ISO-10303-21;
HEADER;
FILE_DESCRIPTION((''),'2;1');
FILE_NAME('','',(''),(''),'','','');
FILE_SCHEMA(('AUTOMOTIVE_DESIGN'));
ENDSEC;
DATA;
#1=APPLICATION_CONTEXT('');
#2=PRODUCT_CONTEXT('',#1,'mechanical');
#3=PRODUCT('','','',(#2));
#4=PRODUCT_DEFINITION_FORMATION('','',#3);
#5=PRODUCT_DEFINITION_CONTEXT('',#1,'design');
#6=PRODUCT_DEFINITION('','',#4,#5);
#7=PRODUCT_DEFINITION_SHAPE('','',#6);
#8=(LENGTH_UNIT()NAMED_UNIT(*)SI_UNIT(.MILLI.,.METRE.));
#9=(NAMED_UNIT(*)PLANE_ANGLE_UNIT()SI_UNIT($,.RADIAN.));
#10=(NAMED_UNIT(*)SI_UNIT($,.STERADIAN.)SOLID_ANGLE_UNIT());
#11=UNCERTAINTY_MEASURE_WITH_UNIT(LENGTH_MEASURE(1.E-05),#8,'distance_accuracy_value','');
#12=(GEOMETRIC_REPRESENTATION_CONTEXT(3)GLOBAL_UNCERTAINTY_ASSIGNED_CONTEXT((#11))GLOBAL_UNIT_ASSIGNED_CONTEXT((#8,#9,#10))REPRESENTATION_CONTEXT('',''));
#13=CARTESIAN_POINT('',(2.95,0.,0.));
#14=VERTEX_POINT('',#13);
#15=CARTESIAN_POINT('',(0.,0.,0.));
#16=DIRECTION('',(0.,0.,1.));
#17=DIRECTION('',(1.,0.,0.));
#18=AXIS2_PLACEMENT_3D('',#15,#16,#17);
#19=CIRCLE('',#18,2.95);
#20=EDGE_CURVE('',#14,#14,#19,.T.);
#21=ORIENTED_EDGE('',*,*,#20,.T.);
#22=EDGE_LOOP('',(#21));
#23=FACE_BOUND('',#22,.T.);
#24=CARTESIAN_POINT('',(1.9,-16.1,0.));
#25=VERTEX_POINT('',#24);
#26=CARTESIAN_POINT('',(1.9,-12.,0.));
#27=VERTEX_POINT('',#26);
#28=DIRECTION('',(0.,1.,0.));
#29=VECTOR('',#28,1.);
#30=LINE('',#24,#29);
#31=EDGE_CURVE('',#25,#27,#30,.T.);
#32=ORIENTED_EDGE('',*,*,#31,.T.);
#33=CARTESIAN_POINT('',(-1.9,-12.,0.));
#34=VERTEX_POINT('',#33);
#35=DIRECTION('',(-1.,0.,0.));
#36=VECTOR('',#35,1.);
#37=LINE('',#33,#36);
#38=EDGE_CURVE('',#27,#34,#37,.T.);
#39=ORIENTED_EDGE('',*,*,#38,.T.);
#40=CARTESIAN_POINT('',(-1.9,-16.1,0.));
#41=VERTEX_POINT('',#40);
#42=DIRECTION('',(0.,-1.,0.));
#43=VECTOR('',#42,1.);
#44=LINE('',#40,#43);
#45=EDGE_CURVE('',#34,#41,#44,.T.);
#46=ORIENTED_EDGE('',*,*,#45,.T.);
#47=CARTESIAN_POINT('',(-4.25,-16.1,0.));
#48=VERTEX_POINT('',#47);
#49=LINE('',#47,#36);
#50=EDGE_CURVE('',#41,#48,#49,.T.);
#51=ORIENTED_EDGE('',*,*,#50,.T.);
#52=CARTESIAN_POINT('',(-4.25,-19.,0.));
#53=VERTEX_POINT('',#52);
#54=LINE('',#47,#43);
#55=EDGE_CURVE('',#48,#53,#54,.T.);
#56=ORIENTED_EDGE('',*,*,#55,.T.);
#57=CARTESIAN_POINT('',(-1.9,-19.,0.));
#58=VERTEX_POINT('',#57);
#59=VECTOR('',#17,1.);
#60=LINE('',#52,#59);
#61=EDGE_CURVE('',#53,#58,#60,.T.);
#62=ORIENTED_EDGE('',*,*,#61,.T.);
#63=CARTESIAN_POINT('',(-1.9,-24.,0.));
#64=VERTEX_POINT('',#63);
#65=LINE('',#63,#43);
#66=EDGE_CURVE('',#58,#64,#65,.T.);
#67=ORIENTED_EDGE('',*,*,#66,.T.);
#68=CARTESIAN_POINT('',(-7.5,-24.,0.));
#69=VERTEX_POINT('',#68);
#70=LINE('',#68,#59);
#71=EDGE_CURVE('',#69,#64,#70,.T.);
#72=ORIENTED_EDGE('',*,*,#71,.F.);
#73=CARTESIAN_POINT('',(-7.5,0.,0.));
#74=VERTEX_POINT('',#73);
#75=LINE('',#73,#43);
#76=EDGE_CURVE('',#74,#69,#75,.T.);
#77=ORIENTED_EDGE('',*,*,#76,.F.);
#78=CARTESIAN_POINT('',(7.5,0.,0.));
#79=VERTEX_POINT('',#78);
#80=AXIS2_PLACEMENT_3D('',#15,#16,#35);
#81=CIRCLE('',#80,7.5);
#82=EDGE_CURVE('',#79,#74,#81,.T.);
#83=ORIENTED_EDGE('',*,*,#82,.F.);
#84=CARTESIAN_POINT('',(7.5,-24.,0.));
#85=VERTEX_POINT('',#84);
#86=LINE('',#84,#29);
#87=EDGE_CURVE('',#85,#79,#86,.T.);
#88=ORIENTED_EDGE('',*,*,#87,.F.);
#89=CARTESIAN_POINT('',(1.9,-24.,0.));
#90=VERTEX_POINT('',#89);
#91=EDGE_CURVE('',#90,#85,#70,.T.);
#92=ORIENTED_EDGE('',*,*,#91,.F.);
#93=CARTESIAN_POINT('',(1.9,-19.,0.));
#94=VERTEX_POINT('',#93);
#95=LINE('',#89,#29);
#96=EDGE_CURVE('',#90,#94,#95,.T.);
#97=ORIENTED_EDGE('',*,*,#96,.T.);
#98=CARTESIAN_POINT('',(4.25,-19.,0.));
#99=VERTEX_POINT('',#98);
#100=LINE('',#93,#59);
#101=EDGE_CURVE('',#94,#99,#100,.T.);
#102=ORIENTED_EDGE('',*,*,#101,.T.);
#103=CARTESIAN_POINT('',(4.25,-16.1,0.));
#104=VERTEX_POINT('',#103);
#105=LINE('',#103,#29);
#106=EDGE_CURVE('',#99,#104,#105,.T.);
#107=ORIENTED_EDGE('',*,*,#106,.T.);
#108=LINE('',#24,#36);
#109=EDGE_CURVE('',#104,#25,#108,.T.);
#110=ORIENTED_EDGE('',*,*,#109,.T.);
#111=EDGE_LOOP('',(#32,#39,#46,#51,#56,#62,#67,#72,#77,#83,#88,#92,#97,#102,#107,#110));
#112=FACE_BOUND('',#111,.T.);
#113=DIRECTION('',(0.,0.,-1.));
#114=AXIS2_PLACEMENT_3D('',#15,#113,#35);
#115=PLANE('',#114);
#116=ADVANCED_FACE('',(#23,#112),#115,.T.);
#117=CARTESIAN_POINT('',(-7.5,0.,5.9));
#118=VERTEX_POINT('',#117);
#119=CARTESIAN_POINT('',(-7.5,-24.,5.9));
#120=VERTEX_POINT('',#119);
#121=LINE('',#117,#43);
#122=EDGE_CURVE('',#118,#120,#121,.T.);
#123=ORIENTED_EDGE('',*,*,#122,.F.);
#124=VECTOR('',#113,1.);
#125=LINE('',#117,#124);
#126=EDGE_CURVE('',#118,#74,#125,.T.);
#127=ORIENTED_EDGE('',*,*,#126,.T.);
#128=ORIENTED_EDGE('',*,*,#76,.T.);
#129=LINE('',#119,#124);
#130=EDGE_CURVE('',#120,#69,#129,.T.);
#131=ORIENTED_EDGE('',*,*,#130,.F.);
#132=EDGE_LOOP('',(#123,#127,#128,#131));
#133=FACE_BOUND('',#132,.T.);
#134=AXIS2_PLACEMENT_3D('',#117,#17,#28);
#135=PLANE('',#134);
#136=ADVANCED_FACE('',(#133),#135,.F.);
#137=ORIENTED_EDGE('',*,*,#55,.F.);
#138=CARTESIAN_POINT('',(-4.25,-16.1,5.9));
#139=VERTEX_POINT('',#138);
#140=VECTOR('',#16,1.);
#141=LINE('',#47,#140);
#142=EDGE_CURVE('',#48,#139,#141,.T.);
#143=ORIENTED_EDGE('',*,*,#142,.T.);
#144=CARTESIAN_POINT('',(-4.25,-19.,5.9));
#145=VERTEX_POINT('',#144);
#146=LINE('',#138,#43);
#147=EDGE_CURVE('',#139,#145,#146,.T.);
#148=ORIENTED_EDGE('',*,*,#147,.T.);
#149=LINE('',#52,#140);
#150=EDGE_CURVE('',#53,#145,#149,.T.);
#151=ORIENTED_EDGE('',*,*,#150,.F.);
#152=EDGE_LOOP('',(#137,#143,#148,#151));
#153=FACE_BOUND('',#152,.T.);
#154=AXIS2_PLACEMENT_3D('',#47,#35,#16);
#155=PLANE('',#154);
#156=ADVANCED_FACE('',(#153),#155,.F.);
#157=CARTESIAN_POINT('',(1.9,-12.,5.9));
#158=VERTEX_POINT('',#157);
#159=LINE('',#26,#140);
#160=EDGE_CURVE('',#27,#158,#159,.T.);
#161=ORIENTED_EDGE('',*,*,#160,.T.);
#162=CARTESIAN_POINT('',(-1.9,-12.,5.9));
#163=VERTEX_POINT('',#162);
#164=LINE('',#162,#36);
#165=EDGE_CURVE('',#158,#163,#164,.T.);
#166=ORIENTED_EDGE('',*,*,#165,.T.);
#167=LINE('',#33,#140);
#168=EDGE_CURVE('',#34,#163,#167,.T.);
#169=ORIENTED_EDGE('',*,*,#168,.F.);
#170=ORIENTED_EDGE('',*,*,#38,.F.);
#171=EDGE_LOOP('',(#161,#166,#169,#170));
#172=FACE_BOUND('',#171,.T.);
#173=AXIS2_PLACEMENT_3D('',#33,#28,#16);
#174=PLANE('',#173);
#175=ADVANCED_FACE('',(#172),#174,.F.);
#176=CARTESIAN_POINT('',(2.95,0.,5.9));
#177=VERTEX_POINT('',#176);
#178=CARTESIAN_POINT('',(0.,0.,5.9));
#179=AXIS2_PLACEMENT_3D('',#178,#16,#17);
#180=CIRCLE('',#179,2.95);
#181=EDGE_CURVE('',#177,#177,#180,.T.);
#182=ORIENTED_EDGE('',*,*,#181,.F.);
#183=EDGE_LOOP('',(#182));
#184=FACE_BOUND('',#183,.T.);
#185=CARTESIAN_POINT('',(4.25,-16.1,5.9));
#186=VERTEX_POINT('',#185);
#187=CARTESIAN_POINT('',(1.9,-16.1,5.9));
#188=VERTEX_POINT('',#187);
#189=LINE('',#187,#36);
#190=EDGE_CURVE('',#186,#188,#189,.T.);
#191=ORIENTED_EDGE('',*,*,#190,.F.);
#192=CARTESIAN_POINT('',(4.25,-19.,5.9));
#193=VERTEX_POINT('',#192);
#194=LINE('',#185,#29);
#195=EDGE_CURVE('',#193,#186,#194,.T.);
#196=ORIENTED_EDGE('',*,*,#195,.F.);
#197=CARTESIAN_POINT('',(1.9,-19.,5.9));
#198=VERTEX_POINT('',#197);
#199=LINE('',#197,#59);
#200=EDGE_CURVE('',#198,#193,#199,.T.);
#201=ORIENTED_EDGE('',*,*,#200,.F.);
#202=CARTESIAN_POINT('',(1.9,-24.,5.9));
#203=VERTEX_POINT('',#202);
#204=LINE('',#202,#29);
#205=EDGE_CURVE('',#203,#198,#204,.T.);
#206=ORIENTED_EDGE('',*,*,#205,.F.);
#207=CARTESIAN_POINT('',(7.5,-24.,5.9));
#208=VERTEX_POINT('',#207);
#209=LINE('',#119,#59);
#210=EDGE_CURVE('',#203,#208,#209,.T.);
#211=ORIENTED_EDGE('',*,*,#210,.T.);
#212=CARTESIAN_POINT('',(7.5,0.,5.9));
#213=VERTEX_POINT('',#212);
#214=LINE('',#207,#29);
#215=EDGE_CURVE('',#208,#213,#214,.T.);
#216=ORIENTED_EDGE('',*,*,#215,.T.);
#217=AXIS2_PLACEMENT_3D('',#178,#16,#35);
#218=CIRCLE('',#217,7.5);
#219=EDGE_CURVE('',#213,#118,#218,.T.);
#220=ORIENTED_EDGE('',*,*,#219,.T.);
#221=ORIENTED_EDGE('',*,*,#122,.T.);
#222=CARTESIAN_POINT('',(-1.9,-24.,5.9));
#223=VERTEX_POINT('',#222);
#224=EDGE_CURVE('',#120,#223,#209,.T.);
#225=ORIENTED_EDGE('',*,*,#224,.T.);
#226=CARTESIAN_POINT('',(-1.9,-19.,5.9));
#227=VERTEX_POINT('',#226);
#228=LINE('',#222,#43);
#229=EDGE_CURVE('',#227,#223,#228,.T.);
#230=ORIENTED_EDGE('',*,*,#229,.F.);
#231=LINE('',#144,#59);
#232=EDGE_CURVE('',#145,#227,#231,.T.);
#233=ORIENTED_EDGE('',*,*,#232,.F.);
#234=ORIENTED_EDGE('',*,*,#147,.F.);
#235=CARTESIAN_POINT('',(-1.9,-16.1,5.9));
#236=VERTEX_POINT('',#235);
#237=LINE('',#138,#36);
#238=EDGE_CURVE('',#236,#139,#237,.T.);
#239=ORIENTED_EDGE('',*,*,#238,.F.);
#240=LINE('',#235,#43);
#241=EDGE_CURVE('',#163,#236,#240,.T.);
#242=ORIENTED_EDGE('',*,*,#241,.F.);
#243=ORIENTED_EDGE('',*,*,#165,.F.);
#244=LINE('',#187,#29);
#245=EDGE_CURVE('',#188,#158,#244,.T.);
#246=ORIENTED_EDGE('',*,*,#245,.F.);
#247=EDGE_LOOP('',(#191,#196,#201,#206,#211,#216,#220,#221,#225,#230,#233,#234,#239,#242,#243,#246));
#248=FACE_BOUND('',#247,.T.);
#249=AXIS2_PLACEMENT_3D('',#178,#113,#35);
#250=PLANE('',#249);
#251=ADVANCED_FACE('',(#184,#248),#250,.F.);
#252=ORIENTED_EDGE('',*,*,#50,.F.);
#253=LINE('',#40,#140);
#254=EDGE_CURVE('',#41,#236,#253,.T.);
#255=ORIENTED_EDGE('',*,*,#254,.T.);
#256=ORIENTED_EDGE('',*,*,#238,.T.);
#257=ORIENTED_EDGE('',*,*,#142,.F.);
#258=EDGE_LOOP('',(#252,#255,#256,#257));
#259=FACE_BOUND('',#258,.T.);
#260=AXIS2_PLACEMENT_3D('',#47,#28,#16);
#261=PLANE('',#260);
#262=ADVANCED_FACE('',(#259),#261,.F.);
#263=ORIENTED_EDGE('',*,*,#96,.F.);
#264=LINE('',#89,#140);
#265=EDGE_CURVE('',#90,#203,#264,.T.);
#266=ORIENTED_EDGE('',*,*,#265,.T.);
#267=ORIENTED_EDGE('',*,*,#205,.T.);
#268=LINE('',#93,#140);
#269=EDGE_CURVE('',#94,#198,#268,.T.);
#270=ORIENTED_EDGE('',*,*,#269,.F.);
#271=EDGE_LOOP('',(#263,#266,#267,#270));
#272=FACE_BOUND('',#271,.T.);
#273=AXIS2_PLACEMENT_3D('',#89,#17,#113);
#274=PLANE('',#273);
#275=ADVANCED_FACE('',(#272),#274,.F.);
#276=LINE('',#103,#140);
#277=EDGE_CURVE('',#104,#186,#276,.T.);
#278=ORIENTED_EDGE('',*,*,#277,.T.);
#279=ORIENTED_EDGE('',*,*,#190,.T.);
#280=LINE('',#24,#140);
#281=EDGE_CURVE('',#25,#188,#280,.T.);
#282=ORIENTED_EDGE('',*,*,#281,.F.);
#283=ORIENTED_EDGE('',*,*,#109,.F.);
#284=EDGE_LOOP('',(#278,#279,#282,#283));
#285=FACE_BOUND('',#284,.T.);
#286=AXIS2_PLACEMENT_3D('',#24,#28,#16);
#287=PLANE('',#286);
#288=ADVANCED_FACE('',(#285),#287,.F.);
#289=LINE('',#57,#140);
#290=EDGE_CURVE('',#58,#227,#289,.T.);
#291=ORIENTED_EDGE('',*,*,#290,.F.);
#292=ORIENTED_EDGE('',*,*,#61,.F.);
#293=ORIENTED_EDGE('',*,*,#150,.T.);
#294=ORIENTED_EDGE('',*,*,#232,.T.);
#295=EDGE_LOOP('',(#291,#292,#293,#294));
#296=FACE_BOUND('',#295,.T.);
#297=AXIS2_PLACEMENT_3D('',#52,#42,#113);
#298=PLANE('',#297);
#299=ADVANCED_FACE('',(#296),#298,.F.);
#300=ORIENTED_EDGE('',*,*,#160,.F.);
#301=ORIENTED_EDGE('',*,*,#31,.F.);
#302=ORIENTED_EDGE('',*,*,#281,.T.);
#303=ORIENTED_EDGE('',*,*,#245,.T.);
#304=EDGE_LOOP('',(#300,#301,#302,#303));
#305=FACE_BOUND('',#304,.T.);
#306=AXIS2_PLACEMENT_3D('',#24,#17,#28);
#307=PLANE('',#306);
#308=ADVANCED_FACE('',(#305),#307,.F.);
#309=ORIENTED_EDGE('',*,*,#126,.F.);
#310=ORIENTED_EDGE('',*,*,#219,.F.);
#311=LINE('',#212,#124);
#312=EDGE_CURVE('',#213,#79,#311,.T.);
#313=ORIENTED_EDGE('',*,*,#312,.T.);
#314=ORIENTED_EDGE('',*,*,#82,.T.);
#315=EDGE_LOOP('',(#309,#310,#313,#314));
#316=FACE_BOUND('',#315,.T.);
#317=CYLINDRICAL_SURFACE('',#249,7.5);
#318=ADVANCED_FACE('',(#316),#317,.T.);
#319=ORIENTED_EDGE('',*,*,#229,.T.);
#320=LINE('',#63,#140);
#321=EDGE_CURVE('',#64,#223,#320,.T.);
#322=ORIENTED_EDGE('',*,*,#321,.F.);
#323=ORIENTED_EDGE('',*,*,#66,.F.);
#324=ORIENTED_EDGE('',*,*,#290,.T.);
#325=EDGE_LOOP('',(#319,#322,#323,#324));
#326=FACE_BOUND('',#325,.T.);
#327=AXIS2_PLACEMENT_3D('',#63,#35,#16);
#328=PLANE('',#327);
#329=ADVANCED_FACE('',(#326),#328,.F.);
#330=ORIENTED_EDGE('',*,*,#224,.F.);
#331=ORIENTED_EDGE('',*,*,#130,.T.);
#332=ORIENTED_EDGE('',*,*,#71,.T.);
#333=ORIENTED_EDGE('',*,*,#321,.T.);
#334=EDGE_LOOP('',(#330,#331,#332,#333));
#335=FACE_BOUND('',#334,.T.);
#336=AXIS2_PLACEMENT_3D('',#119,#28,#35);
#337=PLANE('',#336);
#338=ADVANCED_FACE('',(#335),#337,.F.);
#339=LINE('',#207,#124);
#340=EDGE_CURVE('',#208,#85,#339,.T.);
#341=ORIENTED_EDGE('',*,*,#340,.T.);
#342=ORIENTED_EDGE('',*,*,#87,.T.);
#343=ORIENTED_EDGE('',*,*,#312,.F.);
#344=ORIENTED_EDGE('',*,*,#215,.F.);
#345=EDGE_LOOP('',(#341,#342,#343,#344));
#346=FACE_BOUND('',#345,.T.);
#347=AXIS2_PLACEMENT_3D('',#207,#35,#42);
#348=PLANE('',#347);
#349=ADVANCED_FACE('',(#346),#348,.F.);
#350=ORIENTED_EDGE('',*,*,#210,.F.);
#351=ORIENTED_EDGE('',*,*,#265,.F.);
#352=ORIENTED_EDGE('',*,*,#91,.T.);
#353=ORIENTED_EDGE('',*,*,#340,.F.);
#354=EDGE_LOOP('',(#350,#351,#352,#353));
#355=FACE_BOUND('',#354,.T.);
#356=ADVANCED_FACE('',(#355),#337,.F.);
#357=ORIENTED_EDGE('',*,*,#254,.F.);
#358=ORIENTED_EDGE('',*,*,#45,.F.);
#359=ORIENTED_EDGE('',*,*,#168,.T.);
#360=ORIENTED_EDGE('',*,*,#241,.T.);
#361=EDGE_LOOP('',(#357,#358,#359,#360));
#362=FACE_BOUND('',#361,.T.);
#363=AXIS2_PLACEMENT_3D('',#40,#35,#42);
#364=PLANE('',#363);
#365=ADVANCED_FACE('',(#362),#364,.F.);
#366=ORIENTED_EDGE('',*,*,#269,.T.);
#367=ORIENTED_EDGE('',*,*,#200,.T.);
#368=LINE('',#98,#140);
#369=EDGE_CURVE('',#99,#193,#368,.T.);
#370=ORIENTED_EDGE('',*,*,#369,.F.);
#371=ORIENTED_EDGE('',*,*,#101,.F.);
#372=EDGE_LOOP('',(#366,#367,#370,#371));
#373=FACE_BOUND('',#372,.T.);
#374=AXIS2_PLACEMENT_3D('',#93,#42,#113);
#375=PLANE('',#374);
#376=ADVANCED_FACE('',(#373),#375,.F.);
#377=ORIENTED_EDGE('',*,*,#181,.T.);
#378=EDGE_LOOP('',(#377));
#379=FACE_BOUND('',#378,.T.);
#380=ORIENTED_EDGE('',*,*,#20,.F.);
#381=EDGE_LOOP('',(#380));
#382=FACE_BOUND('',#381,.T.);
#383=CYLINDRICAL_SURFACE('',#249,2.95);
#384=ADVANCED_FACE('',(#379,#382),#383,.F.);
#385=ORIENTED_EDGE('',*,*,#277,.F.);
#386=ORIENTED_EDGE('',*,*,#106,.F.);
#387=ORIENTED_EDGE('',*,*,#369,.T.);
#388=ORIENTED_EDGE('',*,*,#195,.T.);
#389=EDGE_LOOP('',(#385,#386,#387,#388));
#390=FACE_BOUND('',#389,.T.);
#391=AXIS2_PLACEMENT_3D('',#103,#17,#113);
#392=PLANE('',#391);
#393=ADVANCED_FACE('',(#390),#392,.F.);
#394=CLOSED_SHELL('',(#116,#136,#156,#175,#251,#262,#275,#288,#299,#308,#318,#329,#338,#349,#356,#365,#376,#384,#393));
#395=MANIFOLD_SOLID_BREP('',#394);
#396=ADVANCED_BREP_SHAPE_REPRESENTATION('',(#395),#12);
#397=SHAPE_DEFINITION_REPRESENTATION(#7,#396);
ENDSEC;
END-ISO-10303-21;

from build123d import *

# Parameters (mm, degrees)
SKETCH1_R           = 2.95
BOSS_EXTRUDE1_DEPTH = 5.9
CUT_EXTRUDE2_DEPTH  = 26.827504719


with BuildPart() as part:
    # Sketch1 → Boss-Extrude1 (new body)
    with BuildSketch(Plane.XY):
        with BuildLine():
            Line((-7.5, 0), (-7.5, -24))
            Line((-7.5, -24), (7.5, -24))
            Line((7.5, -24), (7.5, 0))
            ThreePointArc((7.5, 0), (0, 7.5), (-7.5, 0))
        make_face()
        Circle(SKETCH1_R, mode=Mode.SUBTRACT)
    extrude(amount=BOSS_EXTRUDE1_DEPTH)

    # Sketch3 → Cut-Extrude2 (cut, through all)
    with BuildSketch(Plane.XY.offset(5.9)):
        Polygon((-1.9, -24), (1.9, -24), (1.9, -19), (4.25, -19), (4.25, -16.1), (1.9, -16.1), (1.9, -12), (-1.9, -12), (-1.9, -16.1), (-4.25, -16.1), (-4.25, -19), (-1.9, -19), align=None)
    extrude(amount=-CUT_EXTRUDE2_DEPTH, mode=Mode.SUBTRACT)


solid = part.part
